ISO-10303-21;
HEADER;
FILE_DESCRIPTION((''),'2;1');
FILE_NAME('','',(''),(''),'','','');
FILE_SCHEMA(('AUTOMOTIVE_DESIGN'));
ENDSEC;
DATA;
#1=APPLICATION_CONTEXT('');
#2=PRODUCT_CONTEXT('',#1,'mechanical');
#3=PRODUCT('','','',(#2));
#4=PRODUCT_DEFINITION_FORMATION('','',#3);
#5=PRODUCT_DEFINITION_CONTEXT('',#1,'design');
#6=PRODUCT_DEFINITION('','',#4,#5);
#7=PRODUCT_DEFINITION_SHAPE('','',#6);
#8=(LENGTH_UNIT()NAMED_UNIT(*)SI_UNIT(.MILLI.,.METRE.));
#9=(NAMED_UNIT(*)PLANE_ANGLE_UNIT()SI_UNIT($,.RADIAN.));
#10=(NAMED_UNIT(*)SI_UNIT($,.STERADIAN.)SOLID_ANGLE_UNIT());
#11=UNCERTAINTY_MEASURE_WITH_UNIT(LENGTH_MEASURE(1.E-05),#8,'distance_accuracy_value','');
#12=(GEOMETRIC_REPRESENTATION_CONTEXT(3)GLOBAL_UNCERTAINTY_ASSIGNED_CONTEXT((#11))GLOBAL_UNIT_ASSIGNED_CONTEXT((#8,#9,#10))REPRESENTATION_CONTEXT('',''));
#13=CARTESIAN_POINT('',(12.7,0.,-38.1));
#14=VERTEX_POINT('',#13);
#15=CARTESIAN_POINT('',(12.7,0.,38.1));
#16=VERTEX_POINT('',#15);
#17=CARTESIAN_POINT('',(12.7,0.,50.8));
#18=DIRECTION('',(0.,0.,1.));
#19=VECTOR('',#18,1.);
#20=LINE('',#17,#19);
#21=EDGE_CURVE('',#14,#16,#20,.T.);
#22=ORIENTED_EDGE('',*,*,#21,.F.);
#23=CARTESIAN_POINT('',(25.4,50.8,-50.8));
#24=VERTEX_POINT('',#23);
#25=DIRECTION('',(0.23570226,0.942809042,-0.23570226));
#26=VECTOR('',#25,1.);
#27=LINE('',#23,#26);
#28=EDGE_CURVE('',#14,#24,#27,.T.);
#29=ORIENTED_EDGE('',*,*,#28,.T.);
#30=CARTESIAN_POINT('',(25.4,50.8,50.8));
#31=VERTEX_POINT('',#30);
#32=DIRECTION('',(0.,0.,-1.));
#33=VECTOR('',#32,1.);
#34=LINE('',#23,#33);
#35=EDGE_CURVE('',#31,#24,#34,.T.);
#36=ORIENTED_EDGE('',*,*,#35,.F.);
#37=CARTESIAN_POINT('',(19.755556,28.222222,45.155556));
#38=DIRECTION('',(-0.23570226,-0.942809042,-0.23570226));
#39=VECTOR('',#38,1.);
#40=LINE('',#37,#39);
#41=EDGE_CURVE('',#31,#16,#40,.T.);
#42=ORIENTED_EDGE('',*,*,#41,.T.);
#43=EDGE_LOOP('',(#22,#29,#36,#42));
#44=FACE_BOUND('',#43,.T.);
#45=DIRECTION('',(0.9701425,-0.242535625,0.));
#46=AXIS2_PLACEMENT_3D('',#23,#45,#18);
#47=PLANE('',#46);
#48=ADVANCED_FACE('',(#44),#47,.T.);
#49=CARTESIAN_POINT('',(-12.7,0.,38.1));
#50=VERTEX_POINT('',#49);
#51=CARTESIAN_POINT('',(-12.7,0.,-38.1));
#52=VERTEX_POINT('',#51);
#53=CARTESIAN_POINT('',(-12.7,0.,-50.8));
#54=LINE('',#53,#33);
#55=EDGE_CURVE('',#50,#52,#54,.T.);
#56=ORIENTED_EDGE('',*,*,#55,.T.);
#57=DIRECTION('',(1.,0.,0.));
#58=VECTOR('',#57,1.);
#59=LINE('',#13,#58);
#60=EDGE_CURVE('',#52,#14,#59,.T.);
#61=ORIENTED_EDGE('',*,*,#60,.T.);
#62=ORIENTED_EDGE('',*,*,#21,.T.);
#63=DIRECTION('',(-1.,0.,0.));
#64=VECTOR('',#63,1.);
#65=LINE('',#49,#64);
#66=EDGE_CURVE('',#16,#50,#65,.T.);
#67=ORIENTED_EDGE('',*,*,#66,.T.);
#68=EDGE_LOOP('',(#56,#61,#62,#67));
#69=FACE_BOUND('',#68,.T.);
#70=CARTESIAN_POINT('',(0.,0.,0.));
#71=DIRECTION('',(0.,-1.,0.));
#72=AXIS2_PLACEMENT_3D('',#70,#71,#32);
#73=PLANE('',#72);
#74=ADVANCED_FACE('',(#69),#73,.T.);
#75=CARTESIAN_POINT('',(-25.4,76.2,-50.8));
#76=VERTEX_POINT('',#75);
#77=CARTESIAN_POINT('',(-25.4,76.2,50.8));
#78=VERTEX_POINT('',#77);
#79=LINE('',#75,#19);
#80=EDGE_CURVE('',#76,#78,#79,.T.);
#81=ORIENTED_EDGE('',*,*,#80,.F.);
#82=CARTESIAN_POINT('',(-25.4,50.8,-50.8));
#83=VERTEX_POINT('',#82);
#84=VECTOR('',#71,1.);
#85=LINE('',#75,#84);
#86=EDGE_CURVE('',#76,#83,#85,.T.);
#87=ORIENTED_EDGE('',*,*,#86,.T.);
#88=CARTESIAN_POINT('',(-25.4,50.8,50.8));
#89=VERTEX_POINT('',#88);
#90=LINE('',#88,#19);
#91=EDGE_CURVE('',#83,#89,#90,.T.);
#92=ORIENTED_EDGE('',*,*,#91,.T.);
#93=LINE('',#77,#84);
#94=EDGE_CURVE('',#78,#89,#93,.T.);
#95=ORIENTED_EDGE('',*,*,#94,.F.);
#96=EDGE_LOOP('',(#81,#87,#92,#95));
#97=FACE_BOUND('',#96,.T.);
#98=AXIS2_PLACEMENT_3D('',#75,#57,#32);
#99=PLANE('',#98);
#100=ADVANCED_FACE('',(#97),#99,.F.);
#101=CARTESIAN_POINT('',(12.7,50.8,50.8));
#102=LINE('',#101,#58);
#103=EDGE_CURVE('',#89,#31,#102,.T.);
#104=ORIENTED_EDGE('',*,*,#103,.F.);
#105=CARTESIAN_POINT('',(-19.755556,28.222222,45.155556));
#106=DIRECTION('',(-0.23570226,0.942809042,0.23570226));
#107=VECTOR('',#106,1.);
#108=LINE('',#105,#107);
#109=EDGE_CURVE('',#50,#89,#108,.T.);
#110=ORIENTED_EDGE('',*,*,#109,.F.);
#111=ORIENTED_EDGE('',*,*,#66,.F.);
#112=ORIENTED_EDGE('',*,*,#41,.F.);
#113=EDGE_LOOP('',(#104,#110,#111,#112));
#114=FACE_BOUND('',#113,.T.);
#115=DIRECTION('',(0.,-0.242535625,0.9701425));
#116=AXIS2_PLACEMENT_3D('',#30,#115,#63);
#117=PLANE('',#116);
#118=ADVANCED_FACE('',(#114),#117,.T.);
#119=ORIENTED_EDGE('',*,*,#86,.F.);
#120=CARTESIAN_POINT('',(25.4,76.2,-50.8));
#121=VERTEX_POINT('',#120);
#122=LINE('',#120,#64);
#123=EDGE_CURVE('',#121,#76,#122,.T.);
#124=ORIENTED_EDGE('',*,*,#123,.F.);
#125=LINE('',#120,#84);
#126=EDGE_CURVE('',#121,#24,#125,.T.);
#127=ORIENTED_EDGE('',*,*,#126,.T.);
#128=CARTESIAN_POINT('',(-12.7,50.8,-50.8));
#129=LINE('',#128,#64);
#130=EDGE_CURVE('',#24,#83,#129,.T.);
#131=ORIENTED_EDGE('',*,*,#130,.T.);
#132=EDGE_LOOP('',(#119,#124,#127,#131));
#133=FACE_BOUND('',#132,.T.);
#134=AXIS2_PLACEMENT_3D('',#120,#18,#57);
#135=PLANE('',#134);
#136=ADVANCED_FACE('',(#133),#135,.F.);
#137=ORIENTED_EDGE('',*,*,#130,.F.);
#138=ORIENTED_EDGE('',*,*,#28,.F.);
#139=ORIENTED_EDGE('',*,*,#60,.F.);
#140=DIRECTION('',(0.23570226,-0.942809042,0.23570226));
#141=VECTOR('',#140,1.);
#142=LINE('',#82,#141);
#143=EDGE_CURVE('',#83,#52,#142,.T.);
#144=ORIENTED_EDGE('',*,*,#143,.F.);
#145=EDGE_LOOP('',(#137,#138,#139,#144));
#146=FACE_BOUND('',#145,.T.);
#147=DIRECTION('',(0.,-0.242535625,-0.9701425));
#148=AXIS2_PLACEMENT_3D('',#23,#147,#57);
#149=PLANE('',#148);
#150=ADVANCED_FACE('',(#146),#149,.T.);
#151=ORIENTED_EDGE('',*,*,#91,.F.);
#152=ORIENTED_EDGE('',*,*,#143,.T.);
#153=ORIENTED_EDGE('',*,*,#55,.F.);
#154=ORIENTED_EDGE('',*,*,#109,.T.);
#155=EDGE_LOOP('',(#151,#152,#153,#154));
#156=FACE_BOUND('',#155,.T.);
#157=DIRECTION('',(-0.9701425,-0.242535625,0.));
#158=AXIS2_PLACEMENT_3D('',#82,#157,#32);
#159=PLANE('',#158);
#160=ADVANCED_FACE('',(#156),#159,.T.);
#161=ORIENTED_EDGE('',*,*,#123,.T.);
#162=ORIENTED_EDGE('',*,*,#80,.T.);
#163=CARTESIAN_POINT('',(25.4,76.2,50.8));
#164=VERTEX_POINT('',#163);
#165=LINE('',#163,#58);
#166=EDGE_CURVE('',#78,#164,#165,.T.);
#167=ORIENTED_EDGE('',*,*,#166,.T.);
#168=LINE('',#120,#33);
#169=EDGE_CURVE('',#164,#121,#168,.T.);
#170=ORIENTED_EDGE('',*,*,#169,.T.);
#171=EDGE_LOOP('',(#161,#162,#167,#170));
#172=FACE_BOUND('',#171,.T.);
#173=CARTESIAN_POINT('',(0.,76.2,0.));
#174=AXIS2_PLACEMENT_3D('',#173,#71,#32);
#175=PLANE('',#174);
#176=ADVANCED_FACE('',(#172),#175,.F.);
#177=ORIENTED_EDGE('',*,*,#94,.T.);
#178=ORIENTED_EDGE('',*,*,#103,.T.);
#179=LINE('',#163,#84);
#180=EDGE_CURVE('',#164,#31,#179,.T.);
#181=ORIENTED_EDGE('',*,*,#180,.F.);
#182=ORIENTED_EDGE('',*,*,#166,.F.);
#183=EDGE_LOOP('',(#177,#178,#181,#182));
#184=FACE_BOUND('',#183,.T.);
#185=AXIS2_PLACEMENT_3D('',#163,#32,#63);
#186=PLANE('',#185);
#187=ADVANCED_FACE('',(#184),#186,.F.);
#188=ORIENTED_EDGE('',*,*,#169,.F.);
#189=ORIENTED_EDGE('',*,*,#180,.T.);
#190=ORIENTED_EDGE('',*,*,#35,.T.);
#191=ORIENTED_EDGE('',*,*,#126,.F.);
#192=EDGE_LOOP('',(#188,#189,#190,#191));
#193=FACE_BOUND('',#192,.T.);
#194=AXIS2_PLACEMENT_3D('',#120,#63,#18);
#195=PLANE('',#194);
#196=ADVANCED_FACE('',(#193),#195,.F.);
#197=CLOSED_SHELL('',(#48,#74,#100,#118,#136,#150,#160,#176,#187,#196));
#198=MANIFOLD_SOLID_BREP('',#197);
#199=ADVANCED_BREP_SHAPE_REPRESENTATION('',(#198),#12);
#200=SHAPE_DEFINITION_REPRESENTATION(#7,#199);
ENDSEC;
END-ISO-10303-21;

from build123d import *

# Parameters (mm, degrees)
SKETCH1_W           = 50.8
SKETCH1_H           = 101.6
BOSS_EXTRUDE1_DEPTH = 76.2
CHAMFER1_SIZE       = 12.7
CHAMFER1_SIZE2      = 50.8
CHAMFER2_SIZE       = 12.7
CHAMFER2_SIZE2      = 50.8
CHAMFER3_SIZE       = 12.7
CHAMFER3_SIZE2      = 50.8
CHAMFER4_SIZE       = 12.7
CHAMFER4_SIZE2      = 50.8


with BuildPart() as part:
    # Sketch1 → Boss-Extrude1 (new body)
    with BuildSketch(Plane(origin=(0, 0, 0), x_dir=(1, 0, 0), z_dir=(0, 1, 0))):
        Rectangle(SKETCH1_W, SKETCH1_H)
    extrude(amount=BOSS_EXTRUDE1_DEPTH)

    # Chamfer1
    chamfer1_edges = [part.edges().sort_by_distance(p)[0] for p in [
        (25.4, 0, 0),
    ]]
    chamfer1_side = [part.faces().sort_by_distance(p)[0] for p in [
        (0, 0, 0),
    ]]
    chamfer(chamfer1_edges, length=CHAMFER1_SIZE, length2=CHAMFER1_SIZE2, reference=chamfer1_side[0])

    # Chamfer2
    chamfer2_edges = [part.edges().sort_by_distance(p)[0] for p in [
        (-25.4, 0, 0),
    ]]
    chamfer2_side = [part.faces().sort_by_distance(p)[0] for p in [
        (-6.35, 0, 0),
    ]]
    chamfer(chamfer2_edges, length=CHAMFER2_SIZE, length2=CHAMFER2_SIZE2, reference=chamfer2_side[0])

    # Chamfer3
    chamfer3_edges = [part.edges().sort_by_distance(p)[0] for p in [
        (0, 0, 50.8),
    ]]
    chamfer3_side = [part.faces().sort_by_distance(p)[0] for p in [
        (0, 0, 0),
    ]]
    chamfer(chamfer3_edges, length=CHAMFER3_SIZE, length2=CHAMFER3_SIZE2, reference=chamfer3_side[0])

    # Chamfer4
    chamfer4_edges = [part.edges().sort_by_distance(p)[0] for p in [
        (0, 0, -50.8),
    ]]
    chamfer4_side = [part.faces().sort_by_distance(p)[0] for p in [
        (0, 0, -6.35),
    ]]
    chamfer(chamfer4_edges, length=CHAMFER4_SIZE, length2=CHAMFER4_SIZE2, reference=chamfer4_side[0])


solid = part.part
